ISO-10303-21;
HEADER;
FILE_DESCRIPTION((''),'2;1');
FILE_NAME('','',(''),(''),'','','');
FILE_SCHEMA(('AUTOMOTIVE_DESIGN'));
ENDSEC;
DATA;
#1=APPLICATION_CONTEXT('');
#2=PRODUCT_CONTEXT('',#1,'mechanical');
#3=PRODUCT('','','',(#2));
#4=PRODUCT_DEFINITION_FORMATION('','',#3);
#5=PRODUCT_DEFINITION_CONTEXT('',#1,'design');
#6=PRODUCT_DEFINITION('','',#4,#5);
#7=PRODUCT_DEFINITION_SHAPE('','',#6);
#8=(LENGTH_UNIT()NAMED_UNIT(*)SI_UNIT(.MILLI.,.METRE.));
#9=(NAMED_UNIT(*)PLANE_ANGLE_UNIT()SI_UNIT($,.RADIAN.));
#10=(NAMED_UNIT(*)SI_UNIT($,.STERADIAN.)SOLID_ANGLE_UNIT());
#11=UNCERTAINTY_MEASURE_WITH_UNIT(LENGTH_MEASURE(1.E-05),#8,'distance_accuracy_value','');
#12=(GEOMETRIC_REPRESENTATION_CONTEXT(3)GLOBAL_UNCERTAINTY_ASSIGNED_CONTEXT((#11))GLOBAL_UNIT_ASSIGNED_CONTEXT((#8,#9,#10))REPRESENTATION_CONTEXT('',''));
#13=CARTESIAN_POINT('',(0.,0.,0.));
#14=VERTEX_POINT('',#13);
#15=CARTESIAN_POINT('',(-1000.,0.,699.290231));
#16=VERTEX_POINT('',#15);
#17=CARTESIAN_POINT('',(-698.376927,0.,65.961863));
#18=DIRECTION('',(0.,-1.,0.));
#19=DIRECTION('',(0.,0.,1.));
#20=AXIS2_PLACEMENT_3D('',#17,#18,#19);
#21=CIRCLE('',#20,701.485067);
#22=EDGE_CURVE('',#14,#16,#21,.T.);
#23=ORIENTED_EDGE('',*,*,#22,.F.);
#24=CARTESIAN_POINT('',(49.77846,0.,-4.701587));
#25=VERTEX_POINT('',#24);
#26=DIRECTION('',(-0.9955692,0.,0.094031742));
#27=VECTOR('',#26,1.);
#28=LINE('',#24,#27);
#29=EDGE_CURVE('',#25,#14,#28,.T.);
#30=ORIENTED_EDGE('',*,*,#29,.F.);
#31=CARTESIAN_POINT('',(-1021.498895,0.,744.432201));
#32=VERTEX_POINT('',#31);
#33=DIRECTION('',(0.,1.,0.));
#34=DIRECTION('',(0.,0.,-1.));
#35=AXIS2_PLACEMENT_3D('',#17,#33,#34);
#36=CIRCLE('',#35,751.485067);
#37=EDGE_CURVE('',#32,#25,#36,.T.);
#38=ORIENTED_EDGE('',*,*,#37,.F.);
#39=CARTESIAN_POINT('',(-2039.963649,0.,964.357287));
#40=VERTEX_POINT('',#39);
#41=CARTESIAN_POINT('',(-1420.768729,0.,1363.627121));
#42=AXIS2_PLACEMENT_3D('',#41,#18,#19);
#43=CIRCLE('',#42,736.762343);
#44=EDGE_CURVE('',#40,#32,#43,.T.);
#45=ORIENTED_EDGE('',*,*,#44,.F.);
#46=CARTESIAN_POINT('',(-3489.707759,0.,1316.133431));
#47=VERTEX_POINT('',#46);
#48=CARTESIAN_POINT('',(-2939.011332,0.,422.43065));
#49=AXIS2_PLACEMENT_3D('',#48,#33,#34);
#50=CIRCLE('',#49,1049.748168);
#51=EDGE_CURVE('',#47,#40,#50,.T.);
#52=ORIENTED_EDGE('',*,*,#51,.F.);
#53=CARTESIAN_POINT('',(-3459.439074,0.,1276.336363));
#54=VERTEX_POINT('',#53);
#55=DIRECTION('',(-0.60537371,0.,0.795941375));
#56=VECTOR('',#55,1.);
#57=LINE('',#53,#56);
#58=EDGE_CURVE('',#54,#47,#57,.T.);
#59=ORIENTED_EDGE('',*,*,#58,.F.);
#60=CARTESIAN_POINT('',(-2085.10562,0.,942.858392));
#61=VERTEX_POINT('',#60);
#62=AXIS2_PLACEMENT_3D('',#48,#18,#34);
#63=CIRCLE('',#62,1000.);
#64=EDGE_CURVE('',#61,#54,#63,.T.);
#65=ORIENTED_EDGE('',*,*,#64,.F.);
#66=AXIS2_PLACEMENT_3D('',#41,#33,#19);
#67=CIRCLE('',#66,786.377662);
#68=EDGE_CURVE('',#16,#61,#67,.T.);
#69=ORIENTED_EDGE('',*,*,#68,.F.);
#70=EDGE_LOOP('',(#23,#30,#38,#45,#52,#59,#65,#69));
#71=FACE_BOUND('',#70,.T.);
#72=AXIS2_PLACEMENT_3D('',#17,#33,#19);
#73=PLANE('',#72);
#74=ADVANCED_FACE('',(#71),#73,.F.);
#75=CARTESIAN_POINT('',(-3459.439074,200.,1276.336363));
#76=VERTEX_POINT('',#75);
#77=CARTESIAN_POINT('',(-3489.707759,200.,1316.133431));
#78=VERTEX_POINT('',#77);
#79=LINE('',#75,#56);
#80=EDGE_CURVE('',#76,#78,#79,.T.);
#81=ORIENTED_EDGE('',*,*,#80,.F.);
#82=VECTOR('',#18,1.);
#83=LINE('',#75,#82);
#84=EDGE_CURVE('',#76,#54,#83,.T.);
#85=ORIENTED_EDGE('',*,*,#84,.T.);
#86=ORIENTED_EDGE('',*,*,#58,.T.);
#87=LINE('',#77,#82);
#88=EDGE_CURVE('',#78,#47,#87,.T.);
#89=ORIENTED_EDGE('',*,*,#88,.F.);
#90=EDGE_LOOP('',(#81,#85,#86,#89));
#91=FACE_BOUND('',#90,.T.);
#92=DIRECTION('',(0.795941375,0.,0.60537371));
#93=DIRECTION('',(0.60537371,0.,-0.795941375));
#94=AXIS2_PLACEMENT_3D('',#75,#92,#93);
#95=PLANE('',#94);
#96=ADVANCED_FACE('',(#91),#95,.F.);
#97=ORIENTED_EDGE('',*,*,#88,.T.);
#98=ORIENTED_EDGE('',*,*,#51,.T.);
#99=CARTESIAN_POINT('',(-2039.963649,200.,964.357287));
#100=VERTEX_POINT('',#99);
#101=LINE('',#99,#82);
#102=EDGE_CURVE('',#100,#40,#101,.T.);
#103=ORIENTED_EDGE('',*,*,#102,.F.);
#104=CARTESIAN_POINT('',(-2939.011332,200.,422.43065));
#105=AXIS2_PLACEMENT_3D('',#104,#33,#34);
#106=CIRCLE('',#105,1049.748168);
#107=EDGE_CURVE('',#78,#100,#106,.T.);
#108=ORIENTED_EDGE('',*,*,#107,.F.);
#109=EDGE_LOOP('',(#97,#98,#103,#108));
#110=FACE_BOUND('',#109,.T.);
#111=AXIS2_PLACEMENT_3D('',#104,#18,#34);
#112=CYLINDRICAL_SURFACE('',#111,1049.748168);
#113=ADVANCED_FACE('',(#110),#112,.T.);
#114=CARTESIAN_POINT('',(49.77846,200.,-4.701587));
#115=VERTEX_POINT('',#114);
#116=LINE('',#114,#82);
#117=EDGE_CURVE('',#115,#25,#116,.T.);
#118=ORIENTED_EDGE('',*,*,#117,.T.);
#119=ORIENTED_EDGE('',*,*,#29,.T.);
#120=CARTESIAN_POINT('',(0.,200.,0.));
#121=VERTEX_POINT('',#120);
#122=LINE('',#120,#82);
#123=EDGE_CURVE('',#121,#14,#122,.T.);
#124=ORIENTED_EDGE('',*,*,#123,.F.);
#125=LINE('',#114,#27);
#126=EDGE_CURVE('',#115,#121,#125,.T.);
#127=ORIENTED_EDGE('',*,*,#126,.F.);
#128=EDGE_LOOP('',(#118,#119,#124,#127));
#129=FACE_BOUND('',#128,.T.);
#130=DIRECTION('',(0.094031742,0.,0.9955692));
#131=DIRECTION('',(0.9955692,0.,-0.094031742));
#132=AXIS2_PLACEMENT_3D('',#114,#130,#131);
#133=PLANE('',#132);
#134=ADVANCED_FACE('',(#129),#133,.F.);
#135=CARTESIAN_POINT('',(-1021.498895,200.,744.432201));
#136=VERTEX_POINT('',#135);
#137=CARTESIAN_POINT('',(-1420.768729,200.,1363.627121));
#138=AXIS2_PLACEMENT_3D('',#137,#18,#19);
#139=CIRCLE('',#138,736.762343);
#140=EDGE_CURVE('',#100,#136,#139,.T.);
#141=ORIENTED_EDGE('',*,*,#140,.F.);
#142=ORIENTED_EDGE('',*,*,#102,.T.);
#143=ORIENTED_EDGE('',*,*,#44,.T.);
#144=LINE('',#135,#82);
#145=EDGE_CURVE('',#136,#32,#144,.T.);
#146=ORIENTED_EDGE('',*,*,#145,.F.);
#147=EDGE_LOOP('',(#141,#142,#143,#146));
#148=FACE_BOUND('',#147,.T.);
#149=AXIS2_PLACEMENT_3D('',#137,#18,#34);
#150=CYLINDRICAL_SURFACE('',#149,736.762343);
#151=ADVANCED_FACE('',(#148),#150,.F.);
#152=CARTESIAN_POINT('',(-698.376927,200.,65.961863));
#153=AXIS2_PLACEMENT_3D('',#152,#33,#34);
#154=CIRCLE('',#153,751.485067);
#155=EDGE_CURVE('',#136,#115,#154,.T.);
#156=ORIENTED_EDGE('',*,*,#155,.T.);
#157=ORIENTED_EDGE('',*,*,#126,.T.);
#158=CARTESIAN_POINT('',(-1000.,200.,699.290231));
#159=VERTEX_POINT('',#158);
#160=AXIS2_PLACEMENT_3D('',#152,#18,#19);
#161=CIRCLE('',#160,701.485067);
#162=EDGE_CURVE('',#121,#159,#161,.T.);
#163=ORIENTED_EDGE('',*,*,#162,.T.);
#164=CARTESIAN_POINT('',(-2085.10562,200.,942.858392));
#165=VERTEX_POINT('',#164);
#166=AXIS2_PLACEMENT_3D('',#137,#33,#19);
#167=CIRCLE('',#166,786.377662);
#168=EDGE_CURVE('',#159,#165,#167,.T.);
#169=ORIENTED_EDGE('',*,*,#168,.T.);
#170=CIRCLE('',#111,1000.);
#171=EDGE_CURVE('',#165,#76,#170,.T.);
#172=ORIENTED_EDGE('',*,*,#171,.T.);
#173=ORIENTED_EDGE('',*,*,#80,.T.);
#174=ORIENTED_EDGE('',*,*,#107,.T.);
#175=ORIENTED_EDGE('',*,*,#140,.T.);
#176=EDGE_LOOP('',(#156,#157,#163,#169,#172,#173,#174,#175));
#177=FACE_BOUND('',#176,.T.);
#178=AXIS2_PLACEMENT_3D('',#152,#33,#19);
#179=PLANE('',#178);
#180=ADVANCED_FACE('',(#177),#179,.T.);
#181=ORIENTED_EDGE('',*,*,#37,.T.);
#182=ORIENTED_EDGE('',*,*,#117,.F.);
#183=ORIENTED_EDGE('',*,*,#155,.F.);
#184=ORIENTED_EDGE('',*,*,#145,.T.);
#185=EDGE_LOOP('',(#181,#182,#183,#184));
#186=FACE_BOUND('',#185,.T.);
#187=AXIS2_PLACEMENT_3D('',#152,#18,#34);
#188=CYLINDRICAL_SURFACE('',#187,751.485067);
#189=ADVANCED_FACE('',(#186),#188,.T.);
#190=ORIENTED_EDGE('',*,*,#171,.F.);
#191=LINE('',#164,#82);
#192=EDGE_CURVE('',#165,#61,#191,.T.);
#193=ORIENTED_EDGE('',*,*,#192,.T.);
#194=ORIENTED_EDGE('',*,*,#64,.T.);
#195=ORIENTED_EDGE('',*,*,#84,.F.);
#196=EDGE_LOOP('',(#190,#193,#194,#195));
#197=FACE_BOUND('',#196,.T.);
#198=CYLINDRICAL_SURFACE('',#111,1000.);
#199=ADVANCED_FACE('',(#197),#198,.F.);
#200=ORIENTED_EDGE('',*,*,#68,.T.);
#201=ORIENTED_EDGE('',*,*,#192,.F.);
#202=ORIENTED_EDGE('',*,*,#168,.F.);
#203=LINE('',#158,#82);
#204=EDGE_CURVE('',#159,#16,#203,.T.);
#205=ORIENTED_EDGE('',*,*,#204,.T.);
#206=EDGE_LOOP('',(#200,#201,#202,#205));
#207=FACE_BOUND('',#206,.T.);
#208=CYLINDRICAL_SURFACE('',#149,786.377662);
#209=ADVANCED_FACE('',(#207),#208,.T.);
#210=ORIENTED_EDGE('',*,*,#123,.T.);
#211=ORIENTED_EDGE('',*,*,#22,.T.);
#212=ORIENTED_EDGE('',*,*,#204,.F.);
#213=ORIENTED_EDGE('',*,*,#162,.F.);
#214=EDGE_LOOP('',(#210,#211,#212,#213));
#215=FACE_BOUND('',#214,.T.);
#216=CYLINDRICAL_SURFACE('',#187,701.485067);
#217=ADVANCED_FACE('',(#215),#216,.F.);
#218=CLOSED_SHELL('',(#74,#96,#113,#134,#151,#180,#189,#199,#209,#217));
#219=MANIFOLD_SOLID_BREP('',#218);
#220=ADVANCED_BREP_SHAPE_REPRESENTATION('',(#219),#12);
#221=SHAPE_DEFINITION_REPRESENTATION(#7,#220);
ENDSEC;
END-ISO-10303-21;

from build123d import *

# Parameters (mm, degrees)
BOSS_EXTRUDE1_DEPTH = 200


with BuildPart() as part:
    # Sketch2 → Boss-Extrude1 (new body)
    with BuildSketch(Plane(origin=(0, 0, 0), x_dir=(1, 0, 0), z_dir=(0, 1, 0))):
        with BuildLine():
            Line((-3459.439073928, -1276.336362632), (-3489.707759408, -1316.13343136))
            ThreePointArc((-3489.707759408, -1316.13343136), (-2691.475954235, -1442.576449994), (-2039.963649032, -964.35728693))
            ThreePointArc((-2039.963649032, -964.35728693), (-1576.279248466, -643.463787191), (-1021.498894791, -744.432201458))
            ThreePointArc((-1021.498894791, -744.432201458), (-267.721948853, -681.807700997), (49.778459986, 4.701587121))
            Line((49.778459986, 4.701587121), (0, 0))
            ThreePointArc((0, 0), (-296.375544039, -640.832446478), (-1000, -699.290230713))
            ThreePointArc((-1000, -699.290230713), (-1592.997427802, -596.341579267), (-2085.105619778, -942.85839214))
            ThreePointArc((-2085.105619778, -942.85839214), (-2703.206797788, -1394.231155352), (-3459.439073928, -1276.336362632))
        make_face()
    extrude(amount=BOSS_EXTRUDE1_DEPTH)


solid = part.part
